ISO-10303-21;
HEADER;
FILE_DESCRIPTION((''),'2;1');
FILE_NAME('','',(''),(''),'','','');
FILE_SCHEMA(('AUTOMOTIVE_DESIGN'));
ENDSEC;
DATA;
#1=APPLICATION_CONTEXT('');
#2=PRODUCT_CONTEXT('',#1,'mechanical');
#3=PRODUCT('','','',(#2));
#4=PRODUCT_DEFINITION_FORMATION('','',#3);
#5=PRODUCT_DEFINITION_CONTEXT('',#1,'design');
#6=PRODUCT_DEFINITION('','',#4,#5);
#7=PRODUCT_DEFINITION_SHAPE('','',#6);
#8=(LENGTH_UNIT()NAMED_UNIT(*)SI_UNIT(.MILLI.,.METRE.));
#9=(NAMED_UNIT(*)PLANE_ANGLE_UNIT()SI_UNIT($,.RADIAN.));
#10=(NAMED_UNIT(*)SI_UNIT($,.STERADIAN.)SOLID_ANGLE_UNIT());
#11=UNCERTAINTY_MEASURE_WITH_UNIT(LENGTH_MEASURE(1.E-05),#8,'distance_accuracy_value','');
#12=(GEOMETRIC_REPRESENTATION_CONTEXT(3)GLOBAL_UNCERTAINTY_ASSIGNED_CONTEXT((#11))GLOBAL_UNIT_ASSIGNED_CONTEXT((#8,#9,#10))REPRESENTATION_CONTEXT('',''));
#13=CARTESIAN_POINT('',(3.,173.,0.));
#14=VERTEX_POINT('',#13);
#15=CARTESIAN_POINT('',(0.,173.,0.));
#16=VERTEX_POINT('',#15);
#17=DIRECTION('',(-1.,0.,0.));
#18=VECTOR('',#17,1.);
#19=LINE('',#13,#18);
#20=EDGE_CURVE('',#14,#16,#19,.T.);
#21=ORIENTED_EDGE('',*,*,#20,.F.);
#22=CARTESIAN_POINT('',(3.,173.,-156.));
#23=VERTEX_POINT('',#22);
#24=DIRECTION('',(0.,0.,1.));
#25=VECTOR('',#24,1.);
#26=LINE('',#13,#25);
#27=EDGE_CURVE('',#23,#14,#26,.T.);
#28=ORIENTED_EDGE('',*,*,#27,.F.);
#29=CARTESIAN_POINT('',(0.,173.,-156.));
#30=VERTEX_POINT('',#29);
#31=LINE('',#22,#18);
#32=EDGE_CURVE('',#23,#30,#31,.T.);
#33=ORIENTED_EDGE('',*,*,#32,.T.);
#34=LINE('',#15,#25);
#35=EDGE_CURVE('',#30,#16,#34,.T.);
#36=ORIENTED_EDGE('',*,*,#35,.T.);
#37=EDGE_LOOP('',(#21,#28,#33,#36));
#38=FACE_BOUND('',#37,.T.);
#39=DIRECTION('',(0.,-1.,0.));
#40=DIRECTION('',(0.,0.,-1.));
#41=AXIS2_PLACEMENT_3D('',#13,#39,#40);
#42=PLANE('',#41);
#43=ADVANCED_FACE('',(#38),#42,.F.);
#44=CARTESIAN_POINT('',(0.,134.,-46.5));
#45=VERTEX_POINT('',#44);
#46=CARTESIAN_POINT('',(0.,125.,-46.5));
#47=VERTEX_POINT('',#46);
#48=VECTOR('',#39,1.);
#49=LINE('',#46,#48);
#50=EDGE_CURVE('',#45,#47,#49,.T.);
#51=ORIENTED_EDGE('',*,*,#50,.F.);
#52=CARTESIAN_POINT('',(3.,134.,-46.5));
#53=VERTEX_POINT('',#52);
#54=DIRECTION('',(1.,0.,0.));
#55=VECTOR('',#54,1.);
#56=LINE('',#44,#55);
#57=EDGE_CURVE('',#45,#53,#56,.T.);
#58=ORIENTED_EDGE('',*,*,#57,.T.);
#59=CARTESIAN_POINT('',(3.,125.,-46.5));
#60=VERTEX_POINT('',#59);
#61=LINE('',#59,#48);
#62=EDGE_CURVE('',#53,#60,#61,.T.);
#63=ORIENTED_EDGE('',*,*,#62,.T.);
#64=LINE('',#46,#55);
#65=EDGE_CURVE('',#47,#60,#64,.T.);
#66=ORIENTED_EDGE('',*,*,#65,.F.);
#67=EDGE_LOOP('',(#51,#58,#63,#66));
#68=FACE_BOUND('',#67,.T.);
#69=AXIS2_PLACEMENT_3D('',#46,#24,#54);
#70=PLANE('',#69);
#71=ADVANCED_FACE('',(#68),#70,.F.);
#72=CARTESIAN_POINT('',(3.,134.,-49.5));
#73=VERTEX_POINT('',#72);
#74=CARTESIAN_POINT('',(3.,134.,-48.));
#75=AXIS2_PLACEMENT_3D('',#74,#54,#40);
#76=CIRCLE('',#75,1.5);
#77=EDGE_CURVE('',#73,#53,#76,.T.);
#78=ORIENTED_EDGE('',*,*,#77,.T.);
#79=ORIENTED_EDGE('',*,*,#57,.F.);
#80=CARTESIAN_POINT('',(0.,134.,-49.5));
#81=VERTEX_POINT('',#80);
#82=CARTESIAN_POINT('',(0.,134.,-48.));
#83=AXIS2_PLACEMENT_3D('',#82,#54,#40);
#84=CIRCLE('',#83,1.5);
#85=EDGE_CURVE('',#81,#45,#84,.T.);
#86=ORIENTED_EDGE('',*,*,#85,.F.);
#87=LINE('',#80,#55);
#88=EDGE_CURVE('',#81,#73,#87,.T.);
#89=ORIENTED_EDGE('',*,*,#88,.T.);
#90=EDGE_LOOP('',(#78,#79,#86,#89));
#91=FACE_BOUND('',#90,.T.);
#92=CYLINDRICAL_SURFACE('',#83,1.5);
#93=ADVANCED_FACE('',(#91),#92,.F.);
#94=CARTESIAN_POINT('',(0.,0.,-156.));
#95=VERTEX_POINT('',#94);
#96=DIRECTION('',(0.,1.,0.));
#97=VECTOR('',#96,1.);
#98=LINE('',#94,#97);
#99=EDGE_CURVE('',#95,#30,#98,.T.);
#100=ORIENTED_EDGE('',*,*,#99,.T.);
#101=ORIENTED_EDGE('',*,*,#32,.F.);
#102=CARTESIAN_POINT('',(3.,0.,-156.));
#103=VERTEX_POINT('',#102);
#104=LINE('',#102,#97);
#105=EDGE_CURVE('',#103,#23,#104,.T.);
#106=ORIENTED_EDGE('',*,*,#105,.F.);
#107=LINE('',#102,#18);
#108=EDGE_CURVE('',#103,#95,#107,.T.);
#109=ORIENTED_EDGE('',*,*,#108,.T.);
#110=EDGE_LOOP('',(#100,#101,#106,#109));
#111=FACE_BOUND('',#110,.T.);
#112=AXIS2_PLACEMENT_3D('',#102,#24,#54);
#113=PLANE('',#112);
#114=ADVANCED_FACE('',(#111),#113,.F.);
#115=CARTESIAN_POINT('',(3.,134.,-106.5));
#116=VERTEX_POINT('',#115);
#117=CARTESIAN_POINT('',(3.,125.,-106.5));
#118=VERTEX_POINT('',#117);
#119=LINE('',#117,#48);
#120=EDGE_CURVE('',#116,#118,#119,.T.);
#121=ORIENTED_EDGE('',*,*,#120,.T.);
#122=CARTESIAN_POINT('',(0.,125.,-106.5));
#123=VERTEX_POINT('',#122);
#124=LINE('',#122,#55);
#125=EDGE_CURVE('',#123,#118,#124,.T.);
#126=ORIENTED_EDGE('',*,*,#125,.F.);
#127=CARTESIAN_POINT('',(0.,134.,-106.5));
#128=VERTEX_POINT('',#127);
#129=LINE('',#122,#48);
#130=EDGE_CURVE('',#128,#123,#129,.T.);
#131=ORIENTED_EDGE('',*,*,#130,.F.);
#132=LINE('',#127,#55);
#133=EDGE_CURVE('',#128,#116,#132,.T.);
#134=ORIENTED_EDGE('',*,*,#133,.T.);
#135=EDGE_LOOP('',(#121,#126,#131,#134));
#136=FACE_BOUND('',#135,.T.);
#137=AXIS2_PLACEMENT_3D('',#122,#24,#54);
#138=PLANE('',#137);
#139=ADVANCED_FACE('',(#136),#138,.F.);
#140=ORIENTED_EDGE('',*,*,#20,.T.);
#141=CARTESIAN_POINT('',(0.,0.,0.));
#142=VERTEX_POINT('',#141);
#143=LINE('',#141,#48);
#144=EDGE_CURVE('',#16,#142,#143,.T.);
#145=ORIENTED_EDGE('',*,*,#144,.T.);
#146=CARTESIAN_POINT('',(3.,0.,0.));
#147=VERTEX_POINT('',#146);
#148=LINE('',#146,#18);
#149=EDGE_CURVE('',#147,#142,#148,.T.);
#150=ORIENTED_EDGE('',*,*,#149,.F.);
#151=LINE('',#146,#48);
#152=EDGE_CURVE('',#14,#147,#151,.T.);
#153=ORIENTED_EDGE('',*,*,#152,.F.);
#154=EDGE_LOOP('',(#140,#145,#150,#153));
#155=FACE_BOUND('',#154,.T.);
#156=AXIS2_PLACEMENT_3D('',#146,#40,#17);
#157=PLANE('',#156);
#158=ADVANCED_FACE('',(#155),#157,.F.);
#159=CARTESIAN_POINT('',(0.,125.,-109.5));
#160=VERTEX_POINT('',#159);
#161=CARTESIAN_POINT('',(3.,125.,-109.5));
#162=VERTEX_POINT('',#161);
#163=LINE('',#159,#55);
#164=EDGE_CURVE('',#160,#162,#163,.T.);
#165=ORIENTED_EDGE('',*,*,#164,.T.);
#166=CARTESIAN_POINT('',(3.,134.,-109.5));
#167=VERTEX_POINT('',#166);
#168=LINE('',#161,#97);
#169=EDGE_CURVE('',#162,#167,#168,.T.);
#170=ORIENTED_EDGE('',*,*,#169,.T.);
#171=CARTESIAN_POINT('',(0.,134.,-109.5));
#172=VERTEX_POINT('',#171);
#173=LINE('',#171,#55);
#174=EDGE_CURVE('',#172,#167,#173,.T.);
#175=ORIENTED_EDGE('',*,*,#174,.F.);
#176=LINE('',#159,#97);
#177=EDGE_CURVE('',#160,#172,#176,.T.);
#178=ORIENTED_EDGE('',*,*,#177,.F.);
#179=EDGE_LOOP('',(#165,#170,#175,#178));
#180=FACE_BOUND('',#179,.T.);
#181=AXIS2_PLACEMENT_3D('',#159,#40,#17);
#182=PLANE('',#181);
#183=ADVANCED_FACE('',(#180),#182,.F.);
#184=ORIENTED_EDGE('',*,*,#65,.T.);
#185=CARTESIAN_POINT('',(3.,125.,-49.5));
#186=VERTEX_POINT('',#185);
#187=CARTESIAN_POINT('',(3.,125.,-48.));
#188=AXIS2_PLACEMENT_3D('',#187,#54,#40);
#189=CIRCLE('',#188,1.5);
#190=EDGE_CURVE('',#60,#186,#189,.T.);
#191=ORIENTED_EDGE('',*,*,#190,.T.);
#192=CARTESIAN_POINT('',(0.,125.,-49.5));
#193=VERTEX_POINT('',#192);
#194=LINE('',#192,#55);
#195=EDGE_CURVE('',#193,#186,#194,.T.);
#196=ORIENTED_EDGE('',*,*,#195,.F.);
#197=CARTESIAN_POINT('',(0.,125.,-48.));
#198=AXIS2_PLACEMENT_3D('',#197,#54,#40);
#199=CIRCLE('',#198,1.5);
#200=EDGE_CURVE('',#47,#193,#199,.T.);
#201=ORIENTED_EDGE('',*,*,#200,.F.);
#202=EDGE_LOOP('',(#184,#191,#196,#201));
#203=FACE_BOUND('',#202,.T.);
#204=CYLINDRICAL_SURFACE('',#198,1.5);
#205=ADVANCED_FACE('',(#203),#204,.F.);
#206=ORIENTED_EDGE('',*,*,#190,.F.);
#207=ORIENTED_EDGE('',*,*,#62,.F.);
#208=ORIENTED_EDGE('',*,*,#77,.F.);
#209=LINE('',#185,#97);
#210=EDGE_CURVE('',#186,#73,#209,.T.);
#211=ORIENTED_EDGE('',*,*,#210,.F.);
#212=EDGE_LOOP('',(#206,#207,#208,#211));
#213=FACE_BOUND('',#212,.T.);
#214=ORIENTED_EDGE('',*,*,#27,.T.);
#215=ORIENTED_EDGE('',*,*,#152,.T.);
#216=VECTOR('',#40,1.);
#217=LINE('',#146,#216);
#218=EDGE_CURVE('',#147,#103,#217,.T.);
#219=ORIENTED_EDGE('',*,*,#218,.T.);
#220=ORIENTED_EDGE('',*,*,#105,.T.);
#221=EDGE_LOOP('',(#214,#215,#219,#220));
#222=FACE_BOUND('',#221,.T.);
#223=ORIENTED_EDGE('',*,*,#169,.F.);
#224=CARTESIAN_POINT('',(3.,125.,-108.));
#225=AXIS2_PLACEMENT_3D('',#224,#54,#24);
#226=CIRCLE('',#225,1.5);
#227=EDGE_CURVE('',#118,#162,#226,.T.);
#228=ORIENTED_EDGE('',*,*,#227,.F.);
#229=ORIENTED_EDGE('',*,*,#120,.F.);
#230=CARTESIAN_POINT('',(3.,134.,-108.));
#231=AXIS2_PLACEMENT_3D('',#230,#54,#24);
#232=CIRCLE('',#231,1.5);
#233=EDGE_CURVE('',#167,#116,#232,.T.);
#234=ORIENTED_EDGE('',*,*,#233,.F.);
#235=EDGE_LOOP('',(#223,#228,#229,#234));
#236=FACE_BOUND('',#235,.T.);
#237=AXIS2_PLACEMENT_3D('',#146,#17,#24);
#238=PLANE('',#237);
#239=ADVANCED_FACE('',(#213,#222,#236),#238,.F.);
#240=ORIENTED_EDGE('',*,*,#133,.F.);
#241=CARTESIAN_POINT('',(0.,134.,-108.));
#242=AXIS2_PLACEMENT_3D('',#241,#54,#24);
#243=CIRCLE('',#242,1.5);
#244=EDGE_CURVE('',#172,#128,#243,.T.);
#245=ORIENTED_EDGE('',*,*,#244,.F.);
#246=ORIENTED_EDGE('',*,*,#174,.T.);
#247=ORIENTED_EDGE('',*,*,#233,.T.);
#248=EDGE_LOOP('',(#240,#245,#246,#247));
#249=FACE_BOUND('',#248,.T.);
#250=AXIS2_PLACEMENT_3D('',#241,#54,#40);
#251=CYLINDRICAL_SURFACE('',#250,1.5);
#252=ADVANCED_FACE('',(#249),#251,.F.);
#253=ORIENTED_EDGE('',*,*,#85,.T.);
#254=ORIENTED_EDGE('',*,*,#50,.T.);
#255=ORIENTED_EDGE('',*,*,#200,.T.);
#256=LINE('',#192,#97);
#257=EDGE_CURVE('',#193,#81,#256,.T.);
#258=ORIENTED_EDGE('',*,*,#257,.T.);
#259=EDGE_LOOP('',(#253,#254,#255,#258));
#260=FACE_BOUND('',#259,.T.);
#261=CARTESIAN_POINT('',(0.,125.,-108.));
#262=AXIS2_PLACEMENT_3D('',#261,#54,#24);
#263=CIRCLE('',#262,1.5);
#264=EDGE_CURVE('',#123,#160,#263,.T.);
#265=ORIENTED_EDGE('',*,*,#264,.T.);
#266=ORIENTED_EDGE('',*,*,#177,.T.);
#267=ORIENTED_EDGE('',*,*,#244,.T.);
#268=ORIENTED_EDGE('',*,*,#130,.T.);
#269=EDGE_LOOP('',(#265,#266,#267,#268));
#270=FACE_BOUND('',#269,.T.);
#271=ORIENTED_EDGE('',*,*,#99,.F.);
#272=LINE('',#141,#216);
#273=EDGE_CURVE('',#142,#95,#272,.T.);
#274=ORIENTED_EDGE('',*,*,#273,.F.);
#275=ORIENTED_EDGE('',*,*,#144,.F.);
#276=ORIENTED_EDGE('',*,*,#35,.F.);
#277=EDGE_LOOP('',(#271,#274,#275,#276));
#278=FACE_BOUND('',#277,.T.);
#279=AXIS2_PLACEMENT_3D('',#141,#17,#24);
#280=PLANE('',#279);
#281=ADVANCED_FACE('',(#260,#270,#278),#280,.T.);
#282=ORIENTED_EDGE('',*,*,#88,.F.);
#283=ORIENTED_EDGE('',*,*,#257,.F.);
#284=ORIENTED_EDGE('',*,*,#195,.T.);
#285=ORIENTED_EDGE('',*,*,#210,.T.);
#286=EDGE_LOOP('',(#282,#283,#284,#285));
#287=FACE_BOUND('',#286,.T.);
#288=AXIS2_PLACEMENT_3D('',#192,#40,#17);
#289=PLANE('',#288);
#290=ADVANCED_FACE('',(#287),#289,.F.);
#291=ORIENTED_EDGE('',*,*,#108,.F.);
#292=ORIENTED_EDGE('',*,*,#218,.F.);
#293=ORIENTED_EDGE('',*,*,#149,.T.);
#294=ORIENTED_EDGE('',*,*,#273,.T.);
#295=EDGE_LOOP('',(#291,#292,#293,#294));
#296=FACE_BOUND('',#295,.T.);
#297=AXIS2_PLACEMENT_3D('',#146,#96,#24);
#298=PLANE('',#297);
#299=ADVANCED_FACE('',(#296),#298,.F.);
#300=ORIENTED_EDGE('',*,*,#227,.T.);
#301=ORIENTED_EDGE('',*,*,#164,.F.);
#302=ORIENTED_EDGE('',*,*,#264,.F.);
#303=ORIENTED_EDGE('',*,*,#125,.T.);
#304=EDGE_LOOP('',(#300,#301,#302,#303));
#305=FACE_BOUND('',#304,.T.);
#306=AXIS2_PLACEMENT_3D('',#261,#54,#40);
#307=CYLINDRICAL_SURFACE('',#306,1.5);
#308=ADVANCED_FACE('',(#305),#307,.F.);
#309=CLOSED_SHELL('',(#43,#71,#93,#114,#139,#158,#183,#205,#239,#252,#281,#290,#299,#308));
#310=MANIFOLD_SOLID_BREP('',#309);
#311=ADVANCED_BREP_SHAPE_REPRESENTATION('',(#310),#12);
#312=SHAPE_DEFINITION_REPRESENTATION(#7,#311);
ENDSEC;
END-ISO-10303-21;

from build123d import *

# Parameters (mm, degrees)
CROQUIS1_W              = 156
CROQUIS1_H              = 173
SALIENTE_EXTRUIR1_DEPTH = 3
CORTAR_EXTRUIR1_DEPTH   = 233.967808935


with BuildPart() as part:
    # Croquis1 → Saliente-Extruir1 (new body)
    with BuildSketch(Plane(origin=(0, 0, 0), x_dir=(0, 0, -1), z_dir=(1, 0, 0))):
        with Locations((78, 86.5)):
            Rectangle(CROQUIS1_W, CROQUIS1_H)
    extrude(amount=SALIENTE_EXTRUIR1_DEPTH)

    # Croquis2 → Cortar-Extruir1 (cut, through all)
    with BuildSketch(Plane(origin=(3, 0, 0), x_dir=(0, 0, -1), z_dir=(1, 0, 0))):
        with BuildLine():
            Line((46.5, 125), (46.5, 134))
            ThreePointArc((46.5, 134), (48, 135.5), (49.5, 134))
            Line((49.5, 134), (49.5, 125))
            ThreePointArc((49.5, 125), (48, 123.5), (46.5, 125))
        make_face()
        with BuildLine():
            Line((109.5, 125), (109.5, 134))
            ThreePointArc((109.5, 134), (108, 135.5), (106.5, 134))
            Line((106.5, 134), (106.5, 125))
            ThreePointArc((106.5, 125), (108, 123.5), (109.5, 125))
        make_face()
    extrude(amount=-CORTAR_EXTRUIR1_DEPTH, mode=Mode.SUBTRACT)


solid = part.part
